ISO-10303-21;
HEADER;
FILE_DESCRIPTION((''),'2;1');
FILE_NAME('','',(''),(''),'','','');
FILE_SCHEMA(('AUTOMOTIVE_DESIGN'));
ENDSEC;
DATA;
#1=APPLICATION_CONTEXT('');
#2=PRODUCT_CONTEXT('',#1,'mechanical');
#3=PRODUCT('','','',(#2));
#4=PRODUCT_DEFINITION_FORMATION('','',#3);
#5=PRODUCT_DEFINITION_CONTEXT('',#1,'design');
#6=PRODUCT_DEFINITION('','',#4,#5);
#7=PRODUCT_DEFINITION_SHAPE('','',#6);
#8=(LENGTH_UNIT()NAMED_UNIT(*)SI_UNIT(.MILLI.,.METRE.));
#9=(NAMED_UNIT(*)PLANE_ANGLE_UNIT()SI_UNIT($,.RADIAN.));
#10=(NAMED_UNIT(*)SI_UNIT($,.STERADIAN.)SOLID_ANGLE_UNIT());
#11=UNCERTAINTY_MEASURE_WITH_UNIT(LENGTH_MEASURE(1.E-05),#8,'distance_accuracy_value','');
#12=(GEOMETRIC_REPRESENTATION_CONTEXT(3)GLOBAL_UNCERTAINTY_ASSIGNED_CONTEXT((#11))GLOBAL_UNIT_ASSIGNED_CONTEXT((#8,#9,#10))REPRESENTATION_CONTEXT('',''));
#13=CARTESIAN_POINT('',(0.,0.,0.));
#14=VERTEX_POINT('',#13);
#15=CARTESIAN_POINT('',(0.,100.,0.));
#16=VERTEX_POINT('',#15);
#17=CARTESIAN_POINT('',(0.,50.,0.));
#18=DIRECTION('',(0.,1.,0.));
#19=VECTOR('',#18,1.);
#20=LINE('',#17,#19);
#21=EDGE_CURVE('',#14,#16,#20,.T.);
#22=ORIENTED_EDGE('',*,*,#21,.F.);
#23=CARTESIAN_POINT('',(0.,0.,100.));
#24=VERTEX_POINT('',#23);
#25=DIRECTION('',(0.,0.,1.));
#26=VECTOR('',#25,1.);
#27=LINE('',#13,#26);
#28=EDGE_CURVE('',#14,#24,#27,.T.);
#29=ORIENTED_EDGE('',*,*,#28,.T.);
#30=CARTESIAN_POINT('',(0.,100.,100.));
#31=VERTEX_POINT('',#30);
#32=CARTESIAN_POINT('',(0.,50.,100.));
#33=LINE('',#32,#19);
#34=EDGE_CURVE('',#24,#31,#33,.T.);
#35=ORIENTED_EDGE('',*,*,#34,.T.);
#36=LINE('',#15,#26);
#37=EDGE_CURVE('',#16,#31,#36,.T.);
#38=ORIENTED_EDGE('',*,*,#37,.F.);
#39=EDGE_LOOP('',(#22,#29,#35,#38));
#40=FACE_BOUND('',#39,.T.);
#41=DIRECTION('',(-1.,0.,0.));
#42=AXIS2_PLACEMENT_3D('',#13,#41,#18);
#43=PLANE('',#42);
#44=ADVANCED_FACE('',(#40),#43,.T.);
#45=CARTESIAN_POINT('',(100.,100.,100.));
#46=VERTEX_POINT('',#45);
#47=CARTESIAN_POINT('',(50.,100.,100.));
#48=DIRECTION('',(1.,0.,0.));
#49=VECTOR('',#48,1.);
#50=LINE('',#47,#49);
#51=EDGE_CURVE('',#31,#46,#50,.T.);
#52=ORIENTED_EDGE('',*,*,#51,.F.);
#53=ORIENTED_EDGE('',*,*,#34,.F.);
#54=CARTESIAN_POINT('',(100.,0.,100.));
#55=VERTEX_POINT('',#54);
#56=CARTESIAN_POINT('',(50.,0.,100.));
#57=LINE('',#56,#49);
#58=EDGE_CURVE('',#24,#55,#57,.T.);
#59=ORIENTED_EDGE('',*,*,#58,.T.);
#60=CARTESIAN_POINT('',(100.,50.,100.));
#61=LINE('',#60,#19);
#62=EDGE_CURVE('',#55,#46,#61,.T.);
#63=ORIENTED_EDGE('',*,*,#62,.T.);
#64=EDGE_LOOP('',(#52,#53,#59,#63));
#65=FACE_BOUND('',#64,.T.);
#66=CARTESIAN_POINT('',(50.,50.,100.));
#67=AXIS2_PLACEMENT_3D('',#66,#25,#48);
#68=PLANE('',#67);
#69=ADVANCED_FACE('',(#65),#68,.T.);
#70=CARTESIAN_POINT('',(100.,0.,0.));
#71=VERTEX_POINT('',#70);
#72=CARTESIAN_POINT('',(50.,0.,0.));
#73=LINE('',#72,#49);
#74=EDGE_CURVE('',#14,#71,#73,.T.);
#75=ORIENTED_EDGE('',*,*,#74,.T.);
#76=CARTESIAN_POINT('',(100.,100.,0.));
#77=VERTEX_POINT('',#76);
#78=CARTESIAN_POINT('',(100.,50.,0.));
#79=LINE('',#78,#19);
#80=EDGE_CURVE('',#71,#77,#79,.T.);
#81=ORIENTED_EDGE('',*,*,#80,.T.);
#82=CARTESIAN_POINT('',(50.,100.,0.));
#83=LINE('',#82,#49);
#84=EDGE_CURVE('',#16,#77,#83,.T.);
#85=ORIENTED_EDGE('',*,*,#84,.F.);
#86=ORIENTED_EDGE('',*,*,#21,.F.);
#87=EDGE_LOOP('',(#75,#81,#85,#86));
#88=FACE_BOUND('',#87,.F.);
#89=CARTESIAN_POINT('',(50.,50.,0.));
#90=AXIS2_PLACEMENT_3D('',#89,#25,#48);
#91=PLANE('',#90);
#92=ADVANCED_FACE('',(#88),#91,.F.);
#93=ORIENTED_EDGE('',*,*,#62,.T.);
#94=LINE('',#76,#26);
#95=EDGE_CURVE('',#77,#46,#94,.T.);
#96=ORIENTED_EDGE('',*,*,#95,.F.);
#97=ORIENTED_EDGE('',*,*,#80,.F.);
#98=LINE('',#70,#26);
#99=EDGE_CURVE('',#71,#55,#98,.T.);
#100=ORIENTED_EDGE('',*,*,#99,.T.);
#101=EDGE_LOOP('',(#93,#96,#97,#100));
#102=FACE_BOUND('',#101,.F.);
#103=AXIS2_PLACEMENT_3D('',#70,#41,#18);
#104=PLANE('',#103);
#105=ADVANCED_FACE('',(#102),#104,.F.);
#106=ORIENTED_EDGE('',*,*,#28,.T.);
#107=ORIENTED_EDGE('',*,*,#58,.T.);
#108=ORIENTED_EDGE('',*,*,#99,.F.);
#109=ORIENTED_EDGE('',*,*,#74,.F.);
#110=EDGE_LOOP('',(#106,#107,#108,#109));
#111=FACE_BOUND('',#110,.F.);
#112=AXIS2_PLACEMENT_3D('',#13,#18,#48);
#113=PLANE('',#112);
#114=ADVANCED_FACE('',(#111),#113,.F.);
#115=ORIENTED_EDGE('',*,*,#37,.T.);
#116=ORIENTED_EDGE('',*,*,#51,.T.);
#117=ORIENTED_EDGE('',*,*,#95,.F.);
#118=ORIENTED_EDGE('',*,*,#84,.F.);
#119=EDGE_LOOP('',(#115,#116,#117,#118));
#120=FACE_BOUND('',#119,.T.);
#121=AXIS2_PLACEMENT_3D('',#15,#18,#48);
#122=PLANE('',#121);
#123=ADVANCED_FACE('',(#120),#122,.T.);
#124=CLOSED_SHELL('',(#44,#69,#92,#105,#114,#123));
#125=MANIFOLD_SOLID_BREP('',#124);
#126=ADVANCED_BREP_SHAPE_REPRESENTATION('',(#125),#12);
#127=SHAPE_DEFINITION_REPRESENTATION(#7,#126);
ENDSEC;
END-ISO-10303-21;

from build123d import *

# Parameters (mm, degrees)
BOX_W     = 100
BOX_H     = 100
BOX_DEPTH = 100


with BuildPart() as part:
    # Box → Box (new body)
    with BuildSketch(Plane.XY):
        with Locations((50, 50)):
            Rectangle(BOX_W, BOX_H)
    extrude(amount=BOX_DEPTH)


solid = part.part
